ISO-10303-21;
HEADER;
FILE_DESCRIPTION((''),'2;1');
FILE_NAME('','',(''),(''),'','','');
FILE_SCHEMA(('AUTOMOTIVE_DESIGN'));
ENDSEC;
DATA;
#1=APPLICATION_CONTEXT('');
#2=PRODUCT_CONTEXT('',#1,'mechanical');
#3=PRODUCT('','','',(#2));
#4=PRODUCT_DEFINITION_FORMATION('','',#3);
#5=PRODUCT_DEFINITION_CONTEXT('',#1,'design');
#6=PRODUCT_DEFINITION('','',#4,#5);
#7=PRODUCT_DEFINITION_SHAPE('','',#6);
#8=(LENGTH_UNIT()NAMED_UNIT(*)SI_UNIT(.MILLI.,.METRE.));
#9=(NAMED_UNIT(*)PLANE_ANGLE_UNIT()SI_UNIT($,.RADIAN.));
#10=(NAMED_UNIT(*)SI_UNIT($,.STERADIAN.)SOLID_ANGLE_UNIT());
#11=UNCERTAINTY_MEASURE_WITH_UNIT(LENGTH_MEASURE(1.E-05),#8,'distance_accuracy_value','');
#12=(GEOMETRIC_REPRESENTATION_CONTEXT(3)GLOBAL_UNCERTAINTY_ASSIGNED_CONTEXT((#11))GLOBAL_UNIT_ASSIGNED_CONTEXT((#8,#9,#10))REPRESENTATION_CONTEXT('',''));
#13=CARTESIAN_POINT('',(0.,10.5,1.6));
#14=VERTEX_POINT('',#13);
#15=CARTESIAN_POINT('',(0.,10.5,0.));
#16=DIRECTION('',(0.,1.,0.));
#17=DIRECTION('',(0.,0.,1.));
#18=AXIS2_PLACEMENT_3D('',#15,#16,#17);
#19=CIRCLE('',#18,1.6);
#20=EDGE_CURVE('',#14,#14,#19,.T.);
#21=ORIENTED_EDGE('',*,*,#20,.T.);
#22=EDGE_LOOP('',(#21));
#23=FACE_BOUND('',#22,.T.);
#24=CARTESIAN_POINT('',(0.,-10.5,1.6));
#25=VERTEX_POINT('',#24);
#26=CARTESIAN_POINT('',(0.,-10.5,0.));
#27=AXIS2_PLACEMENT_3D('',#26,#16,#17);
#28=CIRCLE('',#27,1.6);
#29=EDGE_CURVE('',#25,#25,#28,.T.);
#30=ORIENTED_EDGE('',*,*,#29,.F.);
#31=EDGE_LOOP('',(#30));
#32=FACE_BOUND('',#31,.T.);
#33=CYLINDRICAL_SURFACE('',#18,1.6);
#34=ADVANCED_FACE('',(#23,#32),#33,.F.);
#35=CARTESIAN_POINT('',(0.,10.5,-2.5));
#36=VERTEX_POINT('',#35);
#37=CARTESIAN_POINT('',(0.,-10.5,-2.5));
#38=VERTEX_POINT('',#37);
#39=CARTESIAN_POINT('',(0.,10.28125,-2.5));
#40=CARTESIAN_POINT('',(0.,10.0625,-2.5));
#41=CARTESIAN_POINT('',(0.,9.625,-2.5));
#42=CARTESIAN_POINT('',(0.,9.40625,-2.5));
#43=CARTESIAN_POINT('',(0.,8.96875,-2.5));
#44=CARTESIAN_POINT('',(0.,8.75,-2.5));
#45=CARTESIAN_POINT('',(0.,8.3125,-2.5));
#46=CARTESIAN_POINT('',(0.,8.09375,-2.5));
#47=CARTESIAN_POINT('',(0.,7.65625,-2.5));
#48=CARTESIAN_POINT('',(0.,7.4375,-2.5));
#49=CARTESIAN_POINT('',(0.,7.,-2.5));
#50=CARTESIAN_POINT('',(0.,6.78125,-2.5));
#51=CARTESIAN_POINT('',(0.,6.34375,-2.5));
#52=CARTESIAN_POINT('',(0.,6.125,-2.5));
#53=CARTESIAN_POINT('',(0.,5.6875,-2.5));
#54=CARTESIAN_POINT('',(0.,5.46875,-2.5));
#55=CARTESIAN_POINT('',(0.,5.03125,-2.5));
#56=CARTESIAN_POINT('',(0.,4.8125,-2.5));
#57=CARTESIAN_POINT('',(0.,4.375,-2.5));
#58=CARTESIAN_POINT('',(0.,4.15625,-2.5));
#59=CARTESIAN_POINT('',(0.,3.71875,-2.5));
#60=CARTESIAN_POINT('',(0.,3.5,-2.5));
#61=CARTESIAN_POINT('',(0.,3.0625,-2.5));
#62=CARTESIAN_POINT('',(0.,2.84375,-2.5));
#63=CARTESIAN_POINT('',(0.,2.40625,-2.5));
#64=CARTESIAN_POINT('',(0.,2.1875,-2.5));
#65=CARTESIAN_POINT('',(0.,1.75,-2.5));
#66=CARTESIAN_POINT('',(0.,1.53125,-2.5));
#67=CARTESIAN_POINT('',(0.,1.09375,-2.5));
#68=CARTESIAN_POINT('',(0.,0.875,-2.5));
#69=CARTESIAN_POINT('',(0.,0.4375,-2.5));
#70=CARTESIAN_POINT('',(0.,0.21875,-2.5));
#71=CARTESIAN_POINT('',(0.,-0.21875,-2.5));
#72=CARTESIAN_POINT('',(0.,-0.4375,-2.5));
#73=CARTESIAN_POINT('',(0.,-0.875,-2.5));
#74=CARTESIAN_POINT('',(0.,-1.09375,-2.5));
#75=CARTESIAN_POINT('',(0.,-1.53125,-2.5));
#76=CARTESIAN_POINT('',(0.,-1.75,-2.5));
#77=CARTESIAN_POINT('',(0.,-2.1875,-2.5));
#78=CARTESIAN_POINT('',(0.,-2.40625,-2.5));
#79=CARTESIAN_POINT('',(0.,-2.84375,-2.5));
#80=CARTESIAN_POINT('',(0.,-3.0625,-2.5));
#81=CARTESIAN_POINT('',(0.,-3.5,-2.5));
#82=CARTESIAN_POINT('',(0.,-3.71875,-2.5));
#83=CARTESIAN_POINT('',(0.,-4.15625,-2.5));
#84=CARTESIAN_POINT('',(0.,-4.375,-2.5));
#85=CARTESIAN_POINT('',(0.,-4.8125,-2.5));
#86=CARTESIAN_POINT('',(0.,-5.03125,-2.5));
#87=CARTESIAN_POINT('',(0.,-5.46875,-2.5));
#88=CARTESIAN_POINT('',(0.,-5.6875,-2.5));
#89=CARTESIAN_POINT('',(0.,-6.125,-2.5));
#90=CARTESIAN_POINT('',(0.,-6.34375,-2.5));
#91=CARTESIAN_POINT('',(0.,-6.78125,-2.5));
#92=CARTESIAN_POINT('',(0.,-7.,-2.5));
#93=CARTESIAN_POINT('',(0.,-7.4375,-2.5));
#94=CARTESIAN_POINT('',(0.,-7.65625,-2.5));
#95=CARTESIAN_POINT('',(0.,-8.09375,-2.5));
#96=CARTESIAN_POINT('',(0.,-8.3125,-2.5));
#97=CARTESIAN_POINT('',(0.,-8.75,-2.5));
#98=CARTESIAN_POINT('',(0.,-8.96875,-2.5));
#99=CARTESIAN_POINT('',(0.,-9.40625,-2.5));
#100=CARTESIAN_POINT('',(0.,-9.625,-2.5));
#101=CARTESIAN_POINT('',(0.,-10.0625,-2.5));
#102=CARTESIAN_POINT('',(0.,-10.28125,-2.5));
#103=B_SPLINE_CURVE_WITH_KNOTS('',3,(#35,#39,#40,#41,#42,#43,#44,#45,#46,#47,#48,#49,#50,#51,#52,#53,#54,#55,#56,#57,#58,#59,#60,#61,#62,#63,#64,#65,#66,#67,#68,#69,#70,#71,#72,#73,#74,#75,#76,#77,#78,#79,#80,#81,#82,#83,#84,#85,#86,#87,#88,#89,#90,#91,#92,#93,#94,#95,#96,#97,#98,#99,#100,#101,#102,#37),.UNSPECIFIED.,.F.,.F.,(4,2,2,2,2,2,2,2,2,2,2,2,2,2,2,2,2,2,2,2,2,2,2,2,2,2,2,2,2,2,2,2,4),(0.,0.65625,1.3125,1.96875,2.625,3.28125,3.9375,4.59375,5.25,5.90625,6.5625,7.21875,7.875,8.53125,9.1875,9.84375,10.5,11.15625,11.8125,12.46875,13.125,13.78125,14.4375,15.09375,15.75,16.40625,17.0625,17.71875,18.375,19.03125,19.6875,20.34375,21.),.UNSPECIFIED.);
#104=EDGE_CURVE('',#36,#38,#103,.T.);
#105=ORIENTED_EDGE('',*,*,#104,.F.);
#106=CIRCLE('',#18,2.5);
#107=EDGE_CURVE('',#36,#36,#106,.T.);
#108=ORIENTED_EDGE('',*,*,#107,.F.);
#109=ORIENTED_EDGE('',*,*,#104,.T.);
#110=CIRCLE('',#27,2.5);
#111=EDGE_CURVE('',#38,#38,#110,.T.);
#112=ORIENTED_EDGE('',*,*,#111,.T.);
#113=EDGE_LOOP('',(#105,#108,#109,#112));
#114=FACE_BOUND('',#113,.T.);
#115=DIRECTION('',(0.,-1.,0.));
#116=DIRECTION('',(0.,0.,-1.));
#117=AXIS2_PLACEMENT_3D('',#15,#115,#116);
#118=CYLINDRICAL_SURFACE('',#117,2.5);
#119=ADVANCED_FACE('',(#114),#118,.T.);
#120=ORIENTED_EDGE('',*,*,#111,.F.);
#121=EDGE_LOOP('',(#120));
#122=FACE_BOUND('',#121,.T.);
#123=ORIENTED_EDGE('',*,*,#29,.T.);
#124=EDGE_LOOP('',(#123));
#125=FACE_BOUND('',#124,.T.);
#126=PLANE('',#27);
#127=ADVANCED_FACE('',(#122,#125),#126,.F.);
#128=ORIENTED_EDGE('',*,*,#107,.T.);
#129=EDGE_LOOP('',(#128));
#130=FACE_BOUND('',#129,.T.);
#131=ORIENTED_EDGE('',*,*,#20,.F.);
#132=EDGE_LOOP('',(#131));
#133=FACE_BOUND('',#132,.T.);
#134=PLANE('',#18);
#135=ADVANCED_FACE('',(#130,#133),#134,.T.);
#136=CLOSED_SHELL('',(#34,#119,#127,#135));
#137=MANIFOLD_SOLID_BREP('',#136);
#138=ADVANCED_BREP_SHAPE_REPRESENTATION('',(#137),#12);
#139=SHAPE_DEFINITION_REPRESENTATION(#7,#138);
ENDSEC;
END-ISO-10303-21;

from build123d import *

# Parameters (mm, degrees)
SKETCH1_R            = 2.5
BOSS_EXTRUDE1_DEPTH  = 10.5
M3_CLEARANCE_HOLE1_D = 3.2


with BuildPart() as part:
    # Sketch1 → Boss-Extrude1 (new, symmetric)
    with BuildSketch(Plane(origin=(0, 0, 0), x_dir=(1, 0, 0), z_dir=(0, 1, 0))):
        with Locations(Location((0, 0, 0), (0, 0, 90))):
            Circle(SKETCH1_R)
    extrude(amount=BOSS_EXTRUDE1_DEPTH, both=True)

    # M3 Clearance Hole1 (through all)
    with Locations(Plane(origin=(0, 10.5, 0), x_dir=(1, 0, 0), z_dir=(0, 1, 0))):
        with Locations((0, 0)):
            Hole(M3_CLEARANCE_HOLE1_D / 2)


solid = part.part
